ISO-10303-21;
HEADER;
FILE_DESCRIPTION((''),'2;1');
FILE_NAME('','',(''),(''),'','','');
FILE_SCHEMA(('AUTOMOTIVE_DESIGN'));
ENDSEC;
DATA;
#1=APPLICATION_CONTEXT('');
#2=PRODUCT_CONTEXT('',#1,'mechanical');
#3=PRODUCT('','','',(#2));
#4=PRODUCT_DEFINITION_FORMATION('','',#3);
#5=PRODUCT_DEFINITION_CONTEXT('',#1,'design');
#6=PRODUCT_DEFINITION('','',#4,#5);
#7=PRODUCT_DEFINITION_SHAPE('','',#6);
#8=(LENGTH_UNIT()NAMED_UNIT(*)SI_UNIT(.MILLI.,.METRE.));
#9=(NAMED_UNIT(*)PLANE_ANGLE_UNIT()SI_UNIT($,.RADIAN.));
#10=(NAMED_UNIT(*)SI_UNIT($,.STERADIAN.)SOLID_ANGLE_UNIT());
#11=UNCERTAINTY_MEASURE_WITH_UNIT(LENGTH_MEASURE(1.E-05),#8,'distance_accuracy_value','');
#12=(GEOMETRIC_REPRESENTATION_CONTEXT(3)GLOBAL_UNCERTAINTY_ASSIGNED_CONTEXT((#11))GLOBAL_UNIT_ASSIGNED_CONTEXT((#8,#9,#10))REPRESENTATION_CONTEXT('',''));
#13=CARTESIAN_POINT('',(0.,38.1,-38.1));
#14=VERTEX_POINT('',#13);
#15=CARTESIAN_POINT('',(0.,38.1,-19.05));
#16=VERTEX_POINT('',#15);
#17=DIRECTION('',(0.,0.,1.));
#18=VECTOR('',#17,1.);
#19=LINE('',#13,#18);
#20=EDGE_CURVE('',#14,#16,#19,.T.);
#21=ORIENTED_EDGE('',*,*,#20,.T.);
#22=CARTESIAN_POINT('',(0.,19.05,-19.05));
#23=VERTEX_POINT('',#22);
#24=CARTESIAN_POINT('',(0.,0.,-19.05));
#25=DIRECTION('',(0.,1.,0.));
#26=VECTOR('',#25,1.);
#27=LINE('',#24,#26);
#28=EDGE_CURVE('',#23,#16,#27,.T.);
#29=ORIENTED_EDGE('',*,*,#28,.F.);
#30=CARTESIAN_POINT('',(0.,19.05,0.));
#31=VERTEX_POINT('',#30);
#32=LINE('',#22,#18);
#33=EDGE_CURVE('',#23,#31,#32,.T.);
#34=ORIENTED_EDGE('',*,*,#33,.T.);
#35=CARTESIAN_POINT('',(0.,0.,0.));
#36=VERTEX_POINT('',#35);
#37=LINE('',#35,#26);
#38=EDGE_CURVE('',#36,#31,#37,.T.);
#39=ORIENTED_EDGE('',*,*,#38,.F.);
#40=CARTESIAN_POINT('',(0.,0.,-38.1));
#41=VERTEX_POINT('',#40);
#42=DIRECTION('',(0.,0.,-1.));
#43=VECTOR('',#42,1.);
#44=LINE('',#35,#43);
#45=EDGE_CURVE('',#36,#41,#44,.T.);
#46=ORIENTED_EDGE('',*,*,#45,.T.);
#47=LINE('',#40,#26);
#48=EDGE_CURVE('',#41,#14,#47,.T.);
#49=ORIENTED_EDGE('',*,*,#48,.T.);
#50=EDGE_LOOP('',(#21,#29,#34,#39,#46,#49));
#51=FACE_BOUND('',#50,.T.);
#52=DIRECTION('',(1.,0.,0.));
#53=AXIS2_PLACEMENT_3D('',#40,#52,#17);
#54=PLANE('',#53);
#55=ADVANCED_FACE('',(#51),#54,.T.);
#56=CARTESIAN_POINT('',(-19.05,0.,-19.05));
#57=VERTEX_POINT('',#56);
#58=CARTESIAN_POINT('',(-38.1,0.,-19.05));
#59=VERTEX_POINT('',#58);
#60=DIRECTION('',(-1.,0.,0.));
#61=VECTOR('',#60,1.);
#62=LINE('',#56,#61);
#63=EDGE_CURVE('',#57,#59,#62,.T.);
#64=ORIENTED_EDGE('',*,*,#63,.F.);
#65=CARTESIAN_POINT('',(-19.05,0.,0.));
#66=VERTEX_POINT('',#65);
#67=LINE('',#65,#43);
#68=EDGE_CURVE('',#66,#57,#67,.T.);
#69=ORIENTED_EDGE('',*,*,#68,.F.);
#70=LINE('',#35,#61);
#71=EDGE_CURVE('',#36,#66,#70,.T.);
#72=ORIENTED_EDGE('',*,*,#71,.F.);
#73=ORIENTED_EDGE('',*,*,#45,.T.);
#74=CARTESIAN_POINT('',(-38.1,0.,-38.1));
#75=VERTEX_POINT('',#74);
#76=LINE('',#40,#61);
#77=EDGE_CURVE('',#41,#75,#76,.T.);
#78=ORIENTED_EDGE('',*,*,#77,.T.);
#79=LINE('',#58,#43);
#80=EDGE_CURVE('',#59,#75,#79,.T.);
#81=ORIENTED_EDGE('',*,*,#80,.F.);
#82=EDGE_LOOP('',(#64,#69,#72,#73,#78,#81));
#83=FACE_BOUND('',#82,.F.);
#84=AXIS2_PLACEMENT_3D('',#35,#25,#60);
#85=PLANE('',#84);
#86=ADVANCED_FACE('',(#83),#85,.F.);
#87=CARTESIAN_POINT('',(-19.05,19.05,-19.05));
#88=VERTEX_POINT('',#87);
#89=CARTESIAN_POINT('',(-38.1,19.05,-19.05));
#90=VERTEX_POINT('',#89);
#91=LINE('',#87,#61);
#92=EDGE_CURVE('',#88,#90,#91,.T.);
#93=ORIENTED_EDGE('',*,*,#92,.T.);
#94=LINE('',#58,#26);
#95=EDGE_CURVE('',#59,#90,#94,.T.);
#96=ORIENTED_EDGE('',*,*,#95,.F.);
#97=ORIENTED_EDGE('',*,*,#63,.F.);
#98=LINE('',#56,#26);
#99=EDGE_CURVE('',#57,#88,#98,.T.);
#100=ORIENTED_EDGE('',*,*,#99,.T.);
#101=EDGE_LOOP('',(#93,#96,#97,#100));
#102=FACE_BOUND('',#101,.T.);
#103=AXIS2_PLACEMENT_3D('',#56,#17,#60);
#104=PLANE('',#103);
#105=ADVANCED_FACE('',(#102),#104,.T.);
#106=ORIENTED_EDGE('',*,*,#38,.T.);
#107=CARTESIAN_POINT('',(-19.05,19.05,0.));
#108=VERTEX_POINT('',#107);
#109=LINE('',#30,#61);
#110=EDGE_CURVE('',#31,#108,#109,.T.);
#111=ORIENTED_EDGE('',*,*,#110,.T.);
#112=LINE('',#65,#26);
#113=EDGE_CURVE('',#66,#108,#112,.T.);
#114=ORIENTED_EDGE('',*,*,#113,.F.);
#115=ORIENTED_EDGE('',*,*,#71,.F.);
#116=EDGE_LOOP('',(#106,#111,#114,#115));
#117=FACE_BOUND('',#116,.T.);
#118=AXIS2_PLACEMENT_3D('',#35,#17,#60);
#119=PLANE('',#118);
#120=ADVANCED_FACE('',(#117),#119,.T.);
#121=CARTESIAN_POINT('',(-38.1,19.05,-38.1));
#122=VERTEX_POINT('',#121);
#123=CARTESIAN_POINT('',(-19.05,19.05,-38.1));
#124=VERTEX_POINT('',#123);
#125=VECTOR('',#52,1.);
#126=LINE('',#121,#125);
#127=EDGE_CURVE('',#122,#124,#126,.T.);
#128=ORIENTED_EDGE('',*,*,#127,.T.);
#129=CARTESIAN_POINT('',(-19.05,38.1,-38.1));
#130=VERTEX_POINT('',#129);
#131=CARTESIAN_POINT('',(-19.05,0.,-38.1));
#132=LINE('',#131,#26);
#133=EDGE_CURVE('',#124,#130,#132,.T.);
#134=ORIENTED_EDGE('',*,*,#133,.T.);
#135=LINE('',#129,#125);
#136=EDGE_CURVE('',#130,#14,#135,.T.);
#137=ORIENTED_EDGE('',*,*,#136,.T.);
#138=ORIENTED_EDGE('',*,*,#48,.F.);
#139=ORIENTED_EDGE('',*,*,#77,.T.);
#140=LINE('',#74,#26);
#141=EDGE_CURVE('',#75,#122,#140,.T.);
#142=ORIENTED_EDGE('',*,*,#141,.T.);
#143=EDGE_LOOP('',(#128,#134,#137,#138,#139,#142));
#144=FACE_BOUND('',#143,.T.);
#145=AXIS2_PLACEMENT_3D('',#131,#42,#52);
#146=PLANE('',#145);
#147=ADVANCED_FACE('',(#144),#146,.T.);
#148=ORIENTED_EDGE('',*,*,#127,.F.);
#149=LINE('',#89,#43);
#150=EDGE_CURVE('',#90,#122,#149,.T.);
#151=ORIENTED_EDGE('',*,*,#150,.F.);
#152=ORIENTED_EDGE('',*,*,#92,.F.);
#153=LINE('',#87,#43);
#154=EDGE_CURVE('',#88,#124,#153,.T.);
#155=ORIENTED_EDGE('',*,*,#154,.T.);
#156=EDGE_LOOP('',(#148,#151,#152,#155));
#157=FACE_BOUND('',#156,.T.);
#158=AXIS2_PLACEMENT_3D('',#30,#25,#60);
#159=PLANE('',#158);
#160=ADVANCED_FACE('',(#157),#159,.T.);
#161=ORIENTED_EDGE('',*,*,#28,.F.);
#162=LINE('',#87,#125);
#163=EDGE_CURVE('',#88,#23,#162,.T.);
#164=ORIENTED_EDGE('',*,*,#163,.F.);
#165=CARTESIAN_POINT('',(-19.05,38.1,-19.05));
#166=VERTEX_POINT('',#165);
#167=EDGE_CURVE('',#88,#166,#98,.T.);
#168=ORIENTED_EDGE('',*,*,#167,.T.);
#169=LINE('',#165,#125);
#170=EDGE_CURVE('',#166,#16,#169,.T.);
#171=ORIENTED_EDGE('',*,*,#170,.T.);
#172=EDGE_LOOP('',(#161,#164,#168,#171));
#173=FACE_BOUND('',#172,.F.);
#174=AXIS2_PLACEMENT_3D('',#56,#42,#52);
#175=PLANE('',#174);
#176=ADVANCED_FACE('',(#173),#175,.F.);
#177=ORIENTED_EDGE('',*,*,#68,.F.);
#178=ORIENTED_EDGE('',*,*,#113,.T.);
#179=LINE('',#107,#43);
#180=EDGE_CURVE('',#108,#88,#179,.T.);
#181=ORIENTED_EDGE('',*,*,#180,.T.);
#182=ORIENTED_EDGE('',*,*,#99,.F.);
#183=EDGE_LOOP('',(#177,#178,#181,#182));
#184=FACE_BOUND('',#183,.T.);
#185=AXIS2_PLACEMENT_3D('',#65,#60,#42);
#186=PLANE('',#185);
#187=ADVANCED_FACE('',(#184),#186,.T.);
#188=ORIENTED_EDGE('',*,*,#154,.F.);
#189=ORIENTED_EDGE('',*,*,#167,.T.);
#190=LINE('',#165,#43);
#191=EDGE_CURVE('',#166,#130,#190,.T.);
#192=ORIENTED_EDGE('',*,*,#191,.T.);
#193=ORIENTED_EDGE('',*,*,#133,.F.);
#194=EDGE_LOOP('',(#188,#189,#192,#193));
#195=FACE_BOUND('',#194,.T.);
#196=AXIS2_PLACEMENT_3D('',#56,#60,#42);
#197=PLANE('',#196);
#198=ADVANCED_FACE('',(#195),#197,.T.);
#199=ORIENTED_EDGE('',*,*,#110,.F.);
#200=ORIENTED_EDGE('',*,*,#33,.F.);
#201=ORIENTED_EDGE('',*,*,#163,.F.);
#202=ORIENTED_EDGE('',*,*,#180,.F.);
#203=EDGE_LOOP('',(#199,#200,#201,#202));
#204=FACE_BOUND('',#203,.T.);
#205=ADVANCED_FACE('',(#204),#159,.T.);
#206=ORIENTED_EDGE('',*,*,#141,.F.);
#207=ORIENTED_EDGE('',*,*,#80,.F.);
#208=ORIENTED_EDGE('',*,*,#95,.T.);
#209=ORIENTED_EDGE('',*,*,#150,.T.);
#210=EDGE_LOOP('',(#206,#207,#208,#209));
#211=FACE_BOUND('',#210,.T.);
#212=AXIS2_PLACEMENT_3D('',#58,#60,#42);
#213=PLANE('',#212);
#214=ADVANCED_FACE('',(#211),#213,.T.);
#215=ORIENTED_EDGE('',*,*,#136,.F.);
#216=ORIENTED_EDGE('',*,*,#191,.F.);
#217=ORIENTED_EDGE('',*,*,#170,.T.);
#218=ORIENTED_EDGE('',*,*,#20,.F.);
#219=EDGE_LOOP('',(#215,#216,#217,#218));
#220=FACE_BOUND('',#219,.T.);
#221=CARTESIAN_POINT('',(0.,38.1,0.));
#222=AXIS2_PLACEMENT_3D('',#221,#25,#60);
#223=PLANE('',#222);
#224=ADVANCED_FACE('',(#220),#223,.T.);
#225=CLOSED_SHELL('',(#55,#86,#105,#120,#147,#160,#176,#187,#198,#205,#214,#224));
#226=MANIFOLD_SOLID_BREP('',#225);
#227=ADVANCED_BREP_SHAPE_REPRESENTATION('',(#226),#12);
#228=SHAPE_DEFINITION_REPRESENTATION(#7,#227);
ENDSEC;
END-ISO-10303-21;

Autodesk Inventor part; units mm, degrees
ref_plane "YZ Plane" through (0, 0, 0) normal (1, 0, 0) x (0, 1, 0)
ref_plane "XZ Plane" through (0, 0, 0) normal (0, 1, 0) x (-1, 0, 0)
ref_plane "XY Plane" through (0, 0, 0) normal (0, 0, 1) x (1, 0, 0)
sketch "Sketch1" plane through (0, 0, 0) normal (0, 1, 0) x (-1, 0, 0)
  line L0 (0, 0) -> (19.05, 0)
  line L1 (19.05, 0) -> (19.05, -19.05)
  line L2 (19.05, -19.05) -> (0, -19.05)
  line L3 (0, -19.05) -> (0, 0)
  line L4 (0, -19.05) -> (19.05, -19.05)
  line L5 (19.05, -19.05) -> (19.05, -38.1)
  line L6 (19.05, -38.1) -> (0, -38.1)
  line L7 (0, -38.1) -> (0, -19.05)
  line L8 (19.05, -19.05) -> (38.1, -19.05)
  line L9 (38.1, -19.05) -> (38.1, -38.1)
  line L10 (38.1, -38.1) -> (19.05, -38.1)
  line L11 (19.05, -38.1) -> (19.05, -19.05)
  dimension "d0" = 19.05
  dimension "d1" = 19.05
  dimension "d2" = 19.05
  dimension "d3" = 19.05
  dimension "d4" = 19.05
  dimension "d5" = 19.05
extrude "Extrusion1" add sketch "Sketch1" along normal blind 19.05 contours L0 L1 L2 L3 | L8 L9 L10 L5
extrude "Extrusion2" add sketch "Sketch1" along normal blind 38.1 contours L2 L5 L6 L7
properties part number "Corner"
